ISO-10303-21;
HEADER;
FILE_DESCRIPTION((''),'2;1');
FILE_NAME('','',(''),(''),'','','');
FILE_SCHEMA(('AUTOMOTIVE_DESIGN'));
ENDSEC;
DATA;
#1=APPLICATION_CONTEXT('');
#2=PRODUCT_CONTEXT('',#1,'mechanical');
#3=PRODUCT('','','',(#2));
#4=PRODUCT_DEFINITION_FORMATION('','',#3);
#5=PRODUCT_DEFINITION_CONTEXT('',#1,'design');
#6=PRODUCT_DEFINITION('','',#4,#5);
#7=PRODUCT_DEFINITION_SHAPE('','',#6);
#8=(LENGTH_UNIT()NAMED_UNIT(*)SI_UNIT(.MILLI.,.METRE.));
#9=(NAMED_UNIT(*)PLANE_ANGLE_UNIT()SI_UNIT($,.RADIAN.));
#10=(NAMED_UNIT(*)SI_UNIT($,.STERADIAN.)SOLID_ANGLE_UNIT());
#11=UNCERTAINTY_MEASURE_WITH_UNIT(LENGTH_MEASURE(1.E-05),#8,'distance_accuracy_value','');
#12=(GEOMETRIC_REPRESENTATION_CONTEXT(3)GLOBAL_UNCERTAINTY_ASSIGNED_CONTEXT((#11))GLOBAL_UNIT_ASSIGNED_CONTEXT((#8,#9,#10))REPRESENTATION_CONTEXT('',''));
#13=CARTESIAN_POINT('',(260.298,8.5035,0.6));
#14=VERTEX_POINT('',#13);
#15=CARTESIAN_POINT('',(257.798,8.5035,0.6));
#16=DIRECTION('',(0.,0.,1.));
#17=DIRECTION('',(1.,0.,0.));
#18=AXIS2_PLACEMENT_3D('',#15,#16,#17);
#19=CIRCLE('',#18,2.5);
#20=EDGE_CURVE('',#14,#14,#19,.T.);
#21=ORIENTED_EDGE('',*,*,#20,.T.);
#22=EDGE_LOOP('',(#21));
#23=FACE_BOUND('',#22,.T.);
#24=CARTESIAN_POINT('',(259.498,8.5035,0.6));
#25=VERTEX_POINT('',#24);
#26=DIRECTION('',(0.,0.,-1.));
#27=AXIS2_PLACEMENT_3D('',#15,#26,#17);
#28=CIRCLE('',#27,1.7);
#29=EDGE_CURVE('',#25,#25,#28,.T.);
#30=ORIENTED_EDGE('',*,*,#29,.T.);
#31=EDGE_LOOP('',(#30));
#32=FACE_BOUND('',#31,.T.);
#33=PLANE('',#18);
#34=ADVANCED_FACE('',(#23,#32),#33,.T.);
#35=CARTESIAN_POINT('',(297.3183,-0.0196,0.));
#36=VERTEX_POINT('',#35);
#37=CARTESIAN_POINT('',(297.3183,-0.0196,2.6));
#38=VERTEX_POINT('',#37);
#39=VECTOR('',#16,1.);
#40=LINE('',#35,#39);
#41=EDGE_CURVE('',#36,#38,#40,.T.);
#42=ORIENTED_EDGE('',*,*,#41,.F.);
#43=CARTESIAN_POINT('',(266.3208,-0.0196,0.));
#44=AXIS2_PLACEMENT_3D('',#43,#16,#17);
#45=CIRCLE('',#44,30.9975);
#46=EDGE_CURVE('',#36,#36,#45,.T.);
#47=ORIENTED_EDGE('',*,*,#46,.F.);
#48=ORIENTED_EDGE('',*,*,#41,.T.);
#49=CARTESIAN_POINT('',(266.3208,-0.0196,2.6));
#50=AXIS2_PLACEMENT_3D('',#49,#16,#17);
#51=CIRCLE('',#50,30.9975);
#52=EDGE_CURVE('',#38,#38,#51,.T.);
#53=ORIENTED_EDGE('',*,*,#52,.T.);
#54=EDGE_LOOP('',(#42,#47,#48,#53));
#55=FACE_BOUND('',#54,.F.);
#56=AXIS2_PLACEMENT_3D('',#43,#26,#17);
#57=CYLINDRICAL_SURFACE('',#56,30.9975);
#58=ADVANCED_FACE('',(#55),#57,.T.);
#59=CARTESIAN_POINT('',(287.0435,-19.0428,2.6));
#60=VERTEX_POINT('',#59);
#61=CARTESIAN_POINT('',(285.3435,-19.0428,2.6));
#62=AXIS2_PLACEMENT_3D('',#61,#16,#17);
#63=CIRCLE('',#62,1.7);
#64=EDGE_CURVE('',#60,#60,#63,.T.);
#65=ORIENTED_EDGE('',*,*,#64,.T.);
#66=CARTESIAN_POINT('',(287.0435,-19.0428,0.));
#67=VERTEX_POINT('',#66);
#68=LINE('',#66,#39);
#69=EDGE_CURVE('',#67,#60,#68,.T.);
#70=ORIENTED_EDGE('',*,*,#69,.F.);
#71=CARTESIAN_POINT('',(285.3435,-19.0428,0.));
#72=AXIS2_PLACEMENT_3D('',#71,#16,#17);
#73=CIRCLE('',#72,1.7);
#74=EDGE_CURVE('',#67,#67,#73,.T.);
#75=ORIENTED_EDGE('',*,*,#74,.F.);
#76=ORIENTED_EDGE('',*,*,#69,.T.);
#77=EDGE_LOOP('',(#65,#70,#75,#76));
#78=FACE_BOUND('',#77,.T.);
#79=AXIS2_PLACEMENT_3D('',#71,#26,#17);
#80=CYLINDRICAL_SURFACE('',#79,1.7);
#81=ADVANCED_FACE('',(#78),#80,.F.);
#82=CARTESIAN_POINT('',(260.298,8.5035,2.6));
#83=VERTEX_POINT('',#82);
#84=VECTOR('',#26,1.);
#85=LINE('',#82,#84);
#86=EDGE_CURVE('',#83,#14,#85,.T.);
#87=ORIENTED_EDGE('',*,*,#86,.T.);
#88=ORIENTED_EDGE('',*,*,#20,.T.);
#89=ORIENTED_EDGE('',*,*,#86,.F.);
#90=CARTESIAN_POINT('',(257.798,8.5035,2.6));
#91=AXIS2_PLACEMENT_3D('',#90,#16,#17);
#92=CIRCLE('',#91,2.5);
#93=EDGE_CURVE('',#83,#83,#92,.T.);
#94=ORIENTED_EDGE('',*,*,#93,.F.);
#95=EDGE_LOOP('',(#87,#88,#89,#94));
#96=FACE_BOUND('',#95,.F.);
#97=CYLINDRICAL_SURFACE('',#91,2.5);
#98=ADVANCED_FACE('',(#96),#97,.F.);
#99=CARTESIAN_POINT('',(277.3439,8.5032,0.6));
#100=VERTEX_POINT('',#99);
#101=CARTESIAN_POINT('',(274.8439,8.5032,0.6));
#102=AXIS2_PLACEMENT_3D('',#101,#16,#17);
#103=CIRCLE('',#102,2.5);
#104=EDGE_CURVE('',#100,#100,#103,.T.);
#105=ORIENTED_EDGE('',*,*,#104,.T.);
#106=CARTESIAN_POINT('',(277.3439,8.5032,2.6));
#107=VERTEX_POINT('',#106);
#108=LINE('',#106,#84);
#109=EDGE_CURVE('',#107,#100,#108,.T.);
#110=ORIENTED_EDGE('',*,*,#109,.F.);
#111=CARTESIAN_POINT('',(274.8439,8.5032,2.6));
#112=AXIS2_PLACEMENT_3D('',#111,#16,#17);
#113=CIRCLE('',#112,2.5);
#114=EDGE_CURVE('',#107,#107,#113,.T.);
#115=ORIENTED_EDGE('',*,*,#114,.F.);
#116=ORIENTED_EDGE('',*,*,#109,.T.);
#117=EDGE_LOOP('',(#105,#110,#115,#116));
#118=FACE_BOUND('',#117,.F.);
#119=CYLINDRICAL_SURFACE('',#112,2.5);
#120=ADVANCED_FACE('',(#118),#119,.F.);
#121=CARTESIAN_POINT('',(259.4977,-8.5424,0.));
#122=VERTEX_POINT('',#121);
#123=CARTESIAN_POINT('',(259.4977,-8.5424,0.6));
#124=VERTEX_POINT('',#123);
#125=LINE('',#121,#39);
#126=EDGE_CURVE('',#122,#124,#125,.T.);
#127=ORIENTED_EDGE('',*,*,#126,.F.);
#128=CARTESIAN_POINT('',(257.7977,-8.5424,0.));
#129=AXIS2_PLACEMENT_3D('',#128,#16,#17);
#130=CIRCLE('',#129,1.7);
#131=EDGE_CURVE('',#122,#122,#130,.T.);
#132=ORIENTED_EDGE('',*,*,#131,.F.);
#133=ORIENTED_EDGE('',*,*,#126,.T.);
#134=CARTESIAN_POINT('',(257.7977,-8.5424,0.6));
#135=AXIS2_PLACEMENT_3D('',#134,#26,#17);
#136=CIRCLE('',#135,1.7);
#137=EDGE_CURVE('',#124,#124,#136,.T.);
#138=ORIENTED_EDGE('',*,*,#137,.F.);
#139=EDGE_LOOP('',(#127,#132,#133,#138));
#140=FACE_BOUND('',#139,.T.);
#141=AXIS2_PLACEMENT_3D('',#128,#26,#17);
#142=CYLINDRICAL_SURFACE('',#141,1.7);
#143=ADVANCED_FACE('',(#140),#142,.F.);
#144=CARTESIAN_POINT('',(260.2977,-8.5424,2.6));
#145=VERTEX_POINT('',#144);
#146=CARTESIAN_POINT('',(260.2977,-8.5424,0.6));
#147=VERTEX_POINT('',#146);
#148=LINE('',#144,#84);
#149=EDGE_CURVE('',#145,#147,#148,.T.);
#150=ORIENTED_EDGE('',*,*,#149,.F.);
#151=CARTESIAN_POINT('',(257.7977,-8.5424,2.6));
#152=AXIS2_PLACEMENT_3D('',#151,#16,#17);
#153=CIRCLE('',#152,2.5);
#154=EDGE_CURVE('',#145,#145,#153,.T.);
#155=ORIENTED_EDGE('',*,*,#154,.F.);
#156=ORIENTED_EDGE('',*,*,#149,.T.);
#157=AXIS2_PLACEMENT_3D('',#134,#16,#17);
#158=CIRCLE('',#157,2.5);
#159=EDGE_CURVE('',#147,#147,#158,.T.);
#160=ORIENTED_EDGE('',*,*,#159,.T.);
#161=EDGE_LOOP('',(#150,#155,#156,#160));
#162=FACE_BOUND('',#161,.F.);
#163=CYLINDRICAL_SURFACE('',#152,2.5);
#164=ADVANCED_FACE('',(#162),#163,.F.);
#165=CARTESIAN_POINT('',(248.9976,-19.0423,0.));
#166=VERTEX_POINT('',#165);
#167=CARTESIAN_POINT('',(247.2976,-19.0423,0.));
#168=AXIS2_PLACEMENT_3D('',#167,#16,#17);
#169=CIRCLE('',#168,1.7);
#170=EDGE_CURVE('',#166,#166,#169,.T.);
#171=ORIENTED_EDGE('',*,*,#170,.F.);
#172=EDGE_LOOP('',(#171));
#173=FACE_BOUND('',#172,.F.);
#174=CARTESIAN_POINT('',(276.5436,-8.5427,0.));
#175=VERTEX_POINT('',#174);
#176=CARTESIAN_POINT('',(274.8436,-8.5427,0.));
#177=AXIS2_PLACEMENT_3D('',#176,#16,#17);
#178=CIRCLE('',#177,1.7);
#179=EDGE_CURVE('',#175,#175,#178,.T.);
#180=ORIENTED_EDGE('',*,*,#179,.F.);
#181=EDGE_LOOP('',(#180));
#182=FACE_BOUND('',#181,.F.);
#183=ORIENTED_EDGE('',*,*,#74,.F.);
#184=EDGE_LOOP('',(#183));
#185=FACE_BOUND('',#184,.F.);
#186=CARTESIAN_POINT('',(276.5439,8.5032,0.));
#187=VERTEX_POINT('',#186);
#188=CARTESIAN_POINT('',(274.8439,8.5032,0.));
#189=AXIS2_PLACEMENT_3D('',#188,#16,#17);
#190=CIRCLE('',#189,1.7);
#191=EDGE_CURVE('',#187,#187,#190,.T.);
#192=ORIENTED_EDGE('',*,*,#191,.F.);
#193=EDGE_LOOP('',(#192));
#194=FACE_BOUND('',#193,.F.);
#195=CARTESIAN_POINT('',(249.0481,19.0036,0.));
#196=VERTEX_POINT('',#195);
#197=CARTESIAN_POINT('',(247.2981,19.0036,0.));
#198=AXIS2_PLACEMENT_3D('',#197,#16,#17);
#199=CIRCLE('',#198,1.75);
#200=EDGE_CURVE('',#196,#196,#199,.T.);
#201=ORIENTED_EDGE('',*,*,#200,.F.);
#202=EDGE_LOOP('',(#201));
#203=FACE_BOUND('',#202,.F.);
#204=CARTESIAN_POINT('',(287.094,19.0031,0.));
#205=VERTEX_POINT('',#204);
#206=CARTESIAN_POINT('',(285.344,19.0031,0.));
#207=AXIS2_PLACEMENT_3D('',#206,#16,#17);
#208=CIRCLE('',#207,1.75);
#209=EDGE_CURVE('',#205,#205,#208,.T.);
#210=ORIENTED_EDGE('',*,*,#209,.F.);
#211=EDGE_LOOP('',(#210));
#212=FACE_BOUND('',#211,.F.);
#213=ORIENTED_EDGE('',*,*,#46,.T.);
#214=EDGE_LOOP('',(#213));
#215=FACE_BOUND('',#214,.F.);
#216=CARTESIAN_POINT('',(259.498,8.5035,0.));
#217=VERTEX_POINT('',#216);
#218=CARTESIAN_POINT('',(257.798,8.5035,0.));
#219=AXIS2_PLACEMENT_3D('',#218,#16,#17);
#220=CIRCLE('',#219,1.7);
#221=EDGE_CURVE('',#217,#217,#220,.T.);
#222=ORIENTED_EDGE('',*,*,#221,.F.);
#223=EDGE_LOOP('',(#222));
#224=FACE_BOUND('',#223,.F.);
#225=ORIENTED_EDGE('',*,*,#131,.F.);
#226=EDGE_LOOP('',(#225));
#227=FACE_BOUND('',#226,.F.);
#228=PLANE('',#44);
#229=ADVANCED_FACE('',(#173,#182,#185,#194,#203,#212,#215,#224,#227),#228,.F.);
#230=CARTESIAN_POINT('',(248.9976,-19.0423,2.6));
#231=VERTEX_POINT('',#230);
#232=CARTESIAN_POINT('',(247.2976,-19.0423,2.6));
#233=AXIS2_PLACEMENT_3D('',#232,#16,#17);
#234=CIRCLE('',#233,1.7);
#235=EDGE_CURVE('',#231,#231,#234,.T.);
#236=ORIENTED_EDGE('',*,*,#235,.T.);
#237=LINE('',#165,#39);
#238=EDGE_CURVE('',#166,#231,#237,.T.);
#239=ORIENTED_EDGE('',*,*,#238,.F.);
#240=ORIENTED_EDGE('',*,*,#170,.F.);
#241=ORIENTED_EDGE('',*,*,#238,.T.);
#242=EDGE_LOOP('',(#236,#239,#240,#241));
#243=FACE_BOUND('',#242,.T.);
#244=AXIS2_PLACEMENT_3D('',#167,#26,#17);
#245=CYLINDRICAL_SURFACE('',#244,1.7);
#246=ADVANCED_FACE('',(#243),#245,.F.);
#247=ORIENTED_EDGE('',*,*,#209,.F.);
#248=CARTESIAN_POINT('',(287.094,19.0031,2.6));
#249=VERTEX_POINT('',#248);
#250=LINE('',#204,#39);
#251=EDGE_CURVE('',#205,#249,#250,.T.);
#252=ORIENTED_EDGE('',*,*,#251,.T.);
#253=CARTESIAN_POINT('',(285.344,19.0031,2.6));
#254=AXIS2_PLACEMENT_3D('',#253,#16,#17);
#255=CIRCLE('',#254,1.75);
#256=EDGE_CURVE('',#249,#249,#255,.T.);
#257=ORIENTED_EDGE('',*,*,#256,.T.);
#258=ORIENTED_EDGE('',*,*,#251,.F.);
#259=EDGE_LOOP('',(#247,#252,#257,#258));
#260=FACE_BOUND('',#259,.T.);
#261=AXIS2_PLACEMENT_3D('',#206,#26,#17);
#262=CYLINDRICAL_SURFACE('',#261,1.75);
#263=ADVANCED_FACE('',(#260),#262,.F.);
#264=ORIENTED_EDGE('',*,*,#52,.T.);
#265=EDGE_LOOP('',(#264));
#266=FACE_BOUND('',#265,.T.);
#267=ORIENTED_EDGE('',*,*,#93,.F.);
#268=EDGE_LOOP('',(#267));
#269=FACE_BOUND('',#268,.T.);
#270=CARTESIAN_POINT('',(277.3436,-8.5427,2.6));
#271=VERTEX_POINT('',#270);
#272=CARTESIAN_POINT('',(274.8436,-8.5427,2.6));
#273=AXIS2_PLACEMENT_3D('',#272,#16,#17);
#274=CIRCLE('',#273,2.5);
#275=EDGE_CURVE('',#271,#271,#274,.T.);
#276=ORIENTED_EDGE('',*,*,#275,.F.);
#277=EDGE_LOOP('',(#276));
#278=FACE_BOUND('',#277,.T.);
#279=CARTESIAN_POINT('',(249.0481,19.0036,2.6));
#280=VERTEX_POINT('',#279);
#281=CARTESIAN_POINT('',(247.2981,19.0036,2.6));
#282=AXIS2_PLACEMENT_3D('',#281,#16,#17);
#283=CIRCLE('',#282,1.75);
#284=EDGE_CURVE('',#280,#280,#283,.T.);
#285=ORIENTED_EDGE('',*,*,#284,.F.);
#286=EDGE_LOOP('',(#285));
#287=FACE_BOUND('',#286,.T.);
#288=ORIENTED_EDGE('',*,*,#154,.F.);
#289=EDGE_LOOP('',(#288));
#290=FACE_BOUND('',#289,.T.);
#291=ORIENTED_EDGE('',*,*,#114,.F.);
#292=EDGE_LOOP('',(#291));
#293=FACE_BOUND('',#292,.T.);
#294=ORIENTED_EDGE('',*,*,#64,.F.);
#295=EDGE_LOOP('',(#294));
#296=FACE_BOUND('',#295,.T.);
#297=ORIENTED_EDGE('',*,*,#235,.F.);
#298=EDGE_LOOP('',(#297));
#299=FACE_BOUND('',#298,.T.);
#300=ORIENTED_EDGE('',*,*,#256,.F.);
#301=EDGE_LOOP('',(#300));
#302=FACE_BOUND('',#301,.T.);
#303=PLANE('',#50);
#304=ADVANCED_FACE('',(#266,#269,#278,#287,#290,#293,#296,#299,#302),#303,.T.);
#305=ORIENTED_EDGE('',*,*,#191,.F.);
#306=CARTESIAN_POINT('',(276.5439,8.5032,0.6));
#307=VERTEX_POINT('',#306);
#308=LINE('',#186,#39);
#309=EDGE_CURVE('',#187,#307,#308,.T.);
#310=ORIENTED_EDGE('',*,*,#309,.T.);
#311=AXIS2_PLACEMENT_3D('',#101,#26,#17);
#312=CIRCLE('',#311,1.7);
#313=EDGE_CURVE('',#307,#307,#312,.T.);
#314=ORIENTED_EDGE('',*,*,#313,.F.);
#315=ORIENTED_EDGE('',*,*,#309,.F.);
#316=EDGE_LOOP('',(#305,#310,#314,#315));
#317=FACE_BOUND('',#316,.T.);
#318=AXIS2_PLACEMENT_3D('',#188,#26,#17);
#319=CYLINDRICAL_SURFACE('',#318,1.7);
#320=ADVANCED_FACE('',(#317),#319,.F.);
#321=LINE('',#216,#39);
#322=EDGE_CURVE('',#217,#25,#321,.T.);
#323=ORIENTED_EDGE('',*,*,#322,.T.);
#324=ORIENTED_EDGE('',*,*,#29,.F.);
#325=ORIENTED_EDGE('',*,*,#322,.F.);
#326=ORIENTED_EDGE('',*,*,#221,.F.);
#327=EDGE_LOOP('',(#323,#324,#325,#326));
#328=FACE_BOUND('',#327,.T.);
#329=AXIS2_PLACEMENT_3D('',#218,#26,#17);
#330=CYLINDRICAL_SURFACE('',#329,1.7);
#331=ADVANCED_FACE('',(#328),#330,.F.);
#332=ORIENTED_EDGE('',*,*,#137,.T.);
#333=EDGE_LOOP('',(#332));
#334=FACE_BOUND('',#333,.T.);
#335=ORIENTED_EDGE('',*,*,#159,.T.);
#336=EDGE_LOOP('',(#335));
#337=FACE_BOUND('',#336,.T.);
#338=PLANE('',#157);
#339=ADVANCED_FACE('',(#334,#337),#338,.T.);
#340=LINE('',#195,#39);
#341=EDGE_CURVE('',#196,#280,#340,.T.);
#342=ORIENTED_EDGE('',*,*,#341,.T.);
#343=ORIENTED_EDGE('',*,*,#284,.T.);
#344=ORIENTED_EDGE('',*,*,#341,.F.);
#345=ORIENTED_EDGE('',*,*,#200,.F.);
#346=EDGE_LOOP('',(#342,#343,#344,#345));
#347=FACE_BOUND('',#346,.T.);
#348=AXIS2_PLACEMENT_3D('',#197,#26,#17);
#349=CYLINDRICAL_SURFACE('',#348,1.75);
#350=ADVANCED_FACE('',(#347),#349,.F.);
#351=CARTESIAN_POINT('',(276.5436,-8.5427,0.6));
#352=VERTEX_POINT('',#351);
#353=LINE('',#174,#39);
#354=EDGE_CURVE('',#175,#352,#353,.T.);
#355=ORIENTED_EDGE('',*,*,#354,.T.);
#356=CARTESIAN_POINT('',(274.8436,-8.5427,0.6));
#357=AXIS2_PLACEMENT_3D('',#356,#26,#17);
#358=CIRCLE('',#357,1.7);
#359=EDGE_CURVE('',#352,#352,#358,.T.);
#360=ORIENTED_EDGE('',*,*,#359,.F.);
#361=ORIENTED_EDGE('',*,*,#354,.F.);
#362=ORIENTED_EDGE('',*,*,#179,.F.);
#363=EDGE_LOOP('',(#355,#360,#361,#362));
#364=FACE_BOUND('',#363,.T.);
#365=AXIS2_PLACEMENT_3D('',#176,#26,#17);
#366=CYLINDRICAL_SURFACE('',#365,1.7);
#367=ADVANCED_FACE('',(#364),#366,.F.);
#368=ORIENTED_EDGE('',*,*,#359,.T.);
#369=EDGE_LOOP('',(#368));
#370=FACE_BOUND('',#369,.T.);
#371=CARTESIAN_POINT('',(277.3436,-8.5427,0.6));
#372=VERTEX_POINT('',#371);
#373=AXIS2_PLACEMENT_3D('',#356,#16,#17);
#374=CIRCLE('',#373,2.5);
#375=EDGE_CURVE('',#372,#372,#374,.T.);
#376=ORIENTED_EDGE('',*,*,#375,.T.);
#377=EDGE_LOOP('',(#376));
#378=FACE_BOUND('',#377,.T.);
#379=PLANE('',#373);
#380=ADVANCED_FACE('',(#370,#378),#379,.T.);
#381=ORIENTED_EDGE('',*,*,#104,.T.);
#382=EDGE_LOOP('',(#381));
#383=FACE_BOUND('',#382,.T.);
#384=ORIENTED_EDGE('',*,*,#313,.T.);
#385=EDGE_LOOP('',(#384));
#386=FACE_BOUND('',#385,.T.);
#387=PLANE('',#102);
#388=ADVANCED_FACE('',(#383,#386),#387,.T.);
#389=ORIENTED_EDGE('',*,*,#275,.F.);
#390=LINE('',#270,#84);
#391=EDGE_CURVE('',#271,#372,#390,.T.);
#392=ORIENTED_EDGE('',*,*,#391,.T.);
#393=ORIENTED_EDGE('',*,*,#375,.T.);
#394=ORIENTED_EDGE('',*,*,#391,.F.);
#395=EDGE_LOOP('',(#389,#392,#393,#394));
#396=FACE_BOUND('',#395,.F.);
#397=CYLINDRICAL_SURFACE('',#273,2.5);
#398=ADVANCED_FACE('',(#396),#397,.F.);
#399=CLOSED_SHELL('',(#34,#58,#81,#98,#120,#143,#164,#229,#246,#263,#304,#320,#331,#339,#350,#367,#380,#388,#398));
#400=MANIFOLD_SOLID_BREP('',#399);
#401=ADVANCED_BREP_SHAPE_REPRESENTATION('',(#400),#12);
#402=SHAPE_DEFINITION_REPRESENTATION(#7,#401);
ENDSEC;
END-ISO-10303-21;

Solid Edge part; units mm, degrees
sketch "Sketch1" plane through (0, 0, 0) normal (0, 0, 1) x (1, 0, 0)
  circle A0 centre (247.2981, 19.0036) radius 1.75
  circle A1 centre (285.344, 19.0031) radius 1.75
  circle A2 centre (266.3208, -0.0196) radius 30.9975
  circle A3 centre (274.8439, 8.5032) radius 1.7
  circle A4 centre (257.798, 8.5035) radius 1.7
  circle A5 centre (257.7977, -8.5424) radius 1.7
  circle A6 centre (274.8436, -8.5427) radius 1.7
  circle A7 centre (285.3435, -19.0428) radius 1.7
  circle A8 centre (247.2976, -19.0423) radius 1.7
extrude "Protrusion1" add sketch "Sketch1" along normal blind 2.6
sketch "Sketch2" plane through (0, 0, 2.6) normal (0, 0, 1) x (1, 0, 0)
  circle A0 centre (257.798, 8.5035) radius 2.5
  circle A1 centre (274.8439, 8.5032) radius 2.5
  circle A2 centre (274.8436, -8.5427) radius 2.5
  circle A3 centre (257.7977, -8.5424) radius 2.5
extrude "Cutout1" cut sketch "Sketch2" against normal blind 2
